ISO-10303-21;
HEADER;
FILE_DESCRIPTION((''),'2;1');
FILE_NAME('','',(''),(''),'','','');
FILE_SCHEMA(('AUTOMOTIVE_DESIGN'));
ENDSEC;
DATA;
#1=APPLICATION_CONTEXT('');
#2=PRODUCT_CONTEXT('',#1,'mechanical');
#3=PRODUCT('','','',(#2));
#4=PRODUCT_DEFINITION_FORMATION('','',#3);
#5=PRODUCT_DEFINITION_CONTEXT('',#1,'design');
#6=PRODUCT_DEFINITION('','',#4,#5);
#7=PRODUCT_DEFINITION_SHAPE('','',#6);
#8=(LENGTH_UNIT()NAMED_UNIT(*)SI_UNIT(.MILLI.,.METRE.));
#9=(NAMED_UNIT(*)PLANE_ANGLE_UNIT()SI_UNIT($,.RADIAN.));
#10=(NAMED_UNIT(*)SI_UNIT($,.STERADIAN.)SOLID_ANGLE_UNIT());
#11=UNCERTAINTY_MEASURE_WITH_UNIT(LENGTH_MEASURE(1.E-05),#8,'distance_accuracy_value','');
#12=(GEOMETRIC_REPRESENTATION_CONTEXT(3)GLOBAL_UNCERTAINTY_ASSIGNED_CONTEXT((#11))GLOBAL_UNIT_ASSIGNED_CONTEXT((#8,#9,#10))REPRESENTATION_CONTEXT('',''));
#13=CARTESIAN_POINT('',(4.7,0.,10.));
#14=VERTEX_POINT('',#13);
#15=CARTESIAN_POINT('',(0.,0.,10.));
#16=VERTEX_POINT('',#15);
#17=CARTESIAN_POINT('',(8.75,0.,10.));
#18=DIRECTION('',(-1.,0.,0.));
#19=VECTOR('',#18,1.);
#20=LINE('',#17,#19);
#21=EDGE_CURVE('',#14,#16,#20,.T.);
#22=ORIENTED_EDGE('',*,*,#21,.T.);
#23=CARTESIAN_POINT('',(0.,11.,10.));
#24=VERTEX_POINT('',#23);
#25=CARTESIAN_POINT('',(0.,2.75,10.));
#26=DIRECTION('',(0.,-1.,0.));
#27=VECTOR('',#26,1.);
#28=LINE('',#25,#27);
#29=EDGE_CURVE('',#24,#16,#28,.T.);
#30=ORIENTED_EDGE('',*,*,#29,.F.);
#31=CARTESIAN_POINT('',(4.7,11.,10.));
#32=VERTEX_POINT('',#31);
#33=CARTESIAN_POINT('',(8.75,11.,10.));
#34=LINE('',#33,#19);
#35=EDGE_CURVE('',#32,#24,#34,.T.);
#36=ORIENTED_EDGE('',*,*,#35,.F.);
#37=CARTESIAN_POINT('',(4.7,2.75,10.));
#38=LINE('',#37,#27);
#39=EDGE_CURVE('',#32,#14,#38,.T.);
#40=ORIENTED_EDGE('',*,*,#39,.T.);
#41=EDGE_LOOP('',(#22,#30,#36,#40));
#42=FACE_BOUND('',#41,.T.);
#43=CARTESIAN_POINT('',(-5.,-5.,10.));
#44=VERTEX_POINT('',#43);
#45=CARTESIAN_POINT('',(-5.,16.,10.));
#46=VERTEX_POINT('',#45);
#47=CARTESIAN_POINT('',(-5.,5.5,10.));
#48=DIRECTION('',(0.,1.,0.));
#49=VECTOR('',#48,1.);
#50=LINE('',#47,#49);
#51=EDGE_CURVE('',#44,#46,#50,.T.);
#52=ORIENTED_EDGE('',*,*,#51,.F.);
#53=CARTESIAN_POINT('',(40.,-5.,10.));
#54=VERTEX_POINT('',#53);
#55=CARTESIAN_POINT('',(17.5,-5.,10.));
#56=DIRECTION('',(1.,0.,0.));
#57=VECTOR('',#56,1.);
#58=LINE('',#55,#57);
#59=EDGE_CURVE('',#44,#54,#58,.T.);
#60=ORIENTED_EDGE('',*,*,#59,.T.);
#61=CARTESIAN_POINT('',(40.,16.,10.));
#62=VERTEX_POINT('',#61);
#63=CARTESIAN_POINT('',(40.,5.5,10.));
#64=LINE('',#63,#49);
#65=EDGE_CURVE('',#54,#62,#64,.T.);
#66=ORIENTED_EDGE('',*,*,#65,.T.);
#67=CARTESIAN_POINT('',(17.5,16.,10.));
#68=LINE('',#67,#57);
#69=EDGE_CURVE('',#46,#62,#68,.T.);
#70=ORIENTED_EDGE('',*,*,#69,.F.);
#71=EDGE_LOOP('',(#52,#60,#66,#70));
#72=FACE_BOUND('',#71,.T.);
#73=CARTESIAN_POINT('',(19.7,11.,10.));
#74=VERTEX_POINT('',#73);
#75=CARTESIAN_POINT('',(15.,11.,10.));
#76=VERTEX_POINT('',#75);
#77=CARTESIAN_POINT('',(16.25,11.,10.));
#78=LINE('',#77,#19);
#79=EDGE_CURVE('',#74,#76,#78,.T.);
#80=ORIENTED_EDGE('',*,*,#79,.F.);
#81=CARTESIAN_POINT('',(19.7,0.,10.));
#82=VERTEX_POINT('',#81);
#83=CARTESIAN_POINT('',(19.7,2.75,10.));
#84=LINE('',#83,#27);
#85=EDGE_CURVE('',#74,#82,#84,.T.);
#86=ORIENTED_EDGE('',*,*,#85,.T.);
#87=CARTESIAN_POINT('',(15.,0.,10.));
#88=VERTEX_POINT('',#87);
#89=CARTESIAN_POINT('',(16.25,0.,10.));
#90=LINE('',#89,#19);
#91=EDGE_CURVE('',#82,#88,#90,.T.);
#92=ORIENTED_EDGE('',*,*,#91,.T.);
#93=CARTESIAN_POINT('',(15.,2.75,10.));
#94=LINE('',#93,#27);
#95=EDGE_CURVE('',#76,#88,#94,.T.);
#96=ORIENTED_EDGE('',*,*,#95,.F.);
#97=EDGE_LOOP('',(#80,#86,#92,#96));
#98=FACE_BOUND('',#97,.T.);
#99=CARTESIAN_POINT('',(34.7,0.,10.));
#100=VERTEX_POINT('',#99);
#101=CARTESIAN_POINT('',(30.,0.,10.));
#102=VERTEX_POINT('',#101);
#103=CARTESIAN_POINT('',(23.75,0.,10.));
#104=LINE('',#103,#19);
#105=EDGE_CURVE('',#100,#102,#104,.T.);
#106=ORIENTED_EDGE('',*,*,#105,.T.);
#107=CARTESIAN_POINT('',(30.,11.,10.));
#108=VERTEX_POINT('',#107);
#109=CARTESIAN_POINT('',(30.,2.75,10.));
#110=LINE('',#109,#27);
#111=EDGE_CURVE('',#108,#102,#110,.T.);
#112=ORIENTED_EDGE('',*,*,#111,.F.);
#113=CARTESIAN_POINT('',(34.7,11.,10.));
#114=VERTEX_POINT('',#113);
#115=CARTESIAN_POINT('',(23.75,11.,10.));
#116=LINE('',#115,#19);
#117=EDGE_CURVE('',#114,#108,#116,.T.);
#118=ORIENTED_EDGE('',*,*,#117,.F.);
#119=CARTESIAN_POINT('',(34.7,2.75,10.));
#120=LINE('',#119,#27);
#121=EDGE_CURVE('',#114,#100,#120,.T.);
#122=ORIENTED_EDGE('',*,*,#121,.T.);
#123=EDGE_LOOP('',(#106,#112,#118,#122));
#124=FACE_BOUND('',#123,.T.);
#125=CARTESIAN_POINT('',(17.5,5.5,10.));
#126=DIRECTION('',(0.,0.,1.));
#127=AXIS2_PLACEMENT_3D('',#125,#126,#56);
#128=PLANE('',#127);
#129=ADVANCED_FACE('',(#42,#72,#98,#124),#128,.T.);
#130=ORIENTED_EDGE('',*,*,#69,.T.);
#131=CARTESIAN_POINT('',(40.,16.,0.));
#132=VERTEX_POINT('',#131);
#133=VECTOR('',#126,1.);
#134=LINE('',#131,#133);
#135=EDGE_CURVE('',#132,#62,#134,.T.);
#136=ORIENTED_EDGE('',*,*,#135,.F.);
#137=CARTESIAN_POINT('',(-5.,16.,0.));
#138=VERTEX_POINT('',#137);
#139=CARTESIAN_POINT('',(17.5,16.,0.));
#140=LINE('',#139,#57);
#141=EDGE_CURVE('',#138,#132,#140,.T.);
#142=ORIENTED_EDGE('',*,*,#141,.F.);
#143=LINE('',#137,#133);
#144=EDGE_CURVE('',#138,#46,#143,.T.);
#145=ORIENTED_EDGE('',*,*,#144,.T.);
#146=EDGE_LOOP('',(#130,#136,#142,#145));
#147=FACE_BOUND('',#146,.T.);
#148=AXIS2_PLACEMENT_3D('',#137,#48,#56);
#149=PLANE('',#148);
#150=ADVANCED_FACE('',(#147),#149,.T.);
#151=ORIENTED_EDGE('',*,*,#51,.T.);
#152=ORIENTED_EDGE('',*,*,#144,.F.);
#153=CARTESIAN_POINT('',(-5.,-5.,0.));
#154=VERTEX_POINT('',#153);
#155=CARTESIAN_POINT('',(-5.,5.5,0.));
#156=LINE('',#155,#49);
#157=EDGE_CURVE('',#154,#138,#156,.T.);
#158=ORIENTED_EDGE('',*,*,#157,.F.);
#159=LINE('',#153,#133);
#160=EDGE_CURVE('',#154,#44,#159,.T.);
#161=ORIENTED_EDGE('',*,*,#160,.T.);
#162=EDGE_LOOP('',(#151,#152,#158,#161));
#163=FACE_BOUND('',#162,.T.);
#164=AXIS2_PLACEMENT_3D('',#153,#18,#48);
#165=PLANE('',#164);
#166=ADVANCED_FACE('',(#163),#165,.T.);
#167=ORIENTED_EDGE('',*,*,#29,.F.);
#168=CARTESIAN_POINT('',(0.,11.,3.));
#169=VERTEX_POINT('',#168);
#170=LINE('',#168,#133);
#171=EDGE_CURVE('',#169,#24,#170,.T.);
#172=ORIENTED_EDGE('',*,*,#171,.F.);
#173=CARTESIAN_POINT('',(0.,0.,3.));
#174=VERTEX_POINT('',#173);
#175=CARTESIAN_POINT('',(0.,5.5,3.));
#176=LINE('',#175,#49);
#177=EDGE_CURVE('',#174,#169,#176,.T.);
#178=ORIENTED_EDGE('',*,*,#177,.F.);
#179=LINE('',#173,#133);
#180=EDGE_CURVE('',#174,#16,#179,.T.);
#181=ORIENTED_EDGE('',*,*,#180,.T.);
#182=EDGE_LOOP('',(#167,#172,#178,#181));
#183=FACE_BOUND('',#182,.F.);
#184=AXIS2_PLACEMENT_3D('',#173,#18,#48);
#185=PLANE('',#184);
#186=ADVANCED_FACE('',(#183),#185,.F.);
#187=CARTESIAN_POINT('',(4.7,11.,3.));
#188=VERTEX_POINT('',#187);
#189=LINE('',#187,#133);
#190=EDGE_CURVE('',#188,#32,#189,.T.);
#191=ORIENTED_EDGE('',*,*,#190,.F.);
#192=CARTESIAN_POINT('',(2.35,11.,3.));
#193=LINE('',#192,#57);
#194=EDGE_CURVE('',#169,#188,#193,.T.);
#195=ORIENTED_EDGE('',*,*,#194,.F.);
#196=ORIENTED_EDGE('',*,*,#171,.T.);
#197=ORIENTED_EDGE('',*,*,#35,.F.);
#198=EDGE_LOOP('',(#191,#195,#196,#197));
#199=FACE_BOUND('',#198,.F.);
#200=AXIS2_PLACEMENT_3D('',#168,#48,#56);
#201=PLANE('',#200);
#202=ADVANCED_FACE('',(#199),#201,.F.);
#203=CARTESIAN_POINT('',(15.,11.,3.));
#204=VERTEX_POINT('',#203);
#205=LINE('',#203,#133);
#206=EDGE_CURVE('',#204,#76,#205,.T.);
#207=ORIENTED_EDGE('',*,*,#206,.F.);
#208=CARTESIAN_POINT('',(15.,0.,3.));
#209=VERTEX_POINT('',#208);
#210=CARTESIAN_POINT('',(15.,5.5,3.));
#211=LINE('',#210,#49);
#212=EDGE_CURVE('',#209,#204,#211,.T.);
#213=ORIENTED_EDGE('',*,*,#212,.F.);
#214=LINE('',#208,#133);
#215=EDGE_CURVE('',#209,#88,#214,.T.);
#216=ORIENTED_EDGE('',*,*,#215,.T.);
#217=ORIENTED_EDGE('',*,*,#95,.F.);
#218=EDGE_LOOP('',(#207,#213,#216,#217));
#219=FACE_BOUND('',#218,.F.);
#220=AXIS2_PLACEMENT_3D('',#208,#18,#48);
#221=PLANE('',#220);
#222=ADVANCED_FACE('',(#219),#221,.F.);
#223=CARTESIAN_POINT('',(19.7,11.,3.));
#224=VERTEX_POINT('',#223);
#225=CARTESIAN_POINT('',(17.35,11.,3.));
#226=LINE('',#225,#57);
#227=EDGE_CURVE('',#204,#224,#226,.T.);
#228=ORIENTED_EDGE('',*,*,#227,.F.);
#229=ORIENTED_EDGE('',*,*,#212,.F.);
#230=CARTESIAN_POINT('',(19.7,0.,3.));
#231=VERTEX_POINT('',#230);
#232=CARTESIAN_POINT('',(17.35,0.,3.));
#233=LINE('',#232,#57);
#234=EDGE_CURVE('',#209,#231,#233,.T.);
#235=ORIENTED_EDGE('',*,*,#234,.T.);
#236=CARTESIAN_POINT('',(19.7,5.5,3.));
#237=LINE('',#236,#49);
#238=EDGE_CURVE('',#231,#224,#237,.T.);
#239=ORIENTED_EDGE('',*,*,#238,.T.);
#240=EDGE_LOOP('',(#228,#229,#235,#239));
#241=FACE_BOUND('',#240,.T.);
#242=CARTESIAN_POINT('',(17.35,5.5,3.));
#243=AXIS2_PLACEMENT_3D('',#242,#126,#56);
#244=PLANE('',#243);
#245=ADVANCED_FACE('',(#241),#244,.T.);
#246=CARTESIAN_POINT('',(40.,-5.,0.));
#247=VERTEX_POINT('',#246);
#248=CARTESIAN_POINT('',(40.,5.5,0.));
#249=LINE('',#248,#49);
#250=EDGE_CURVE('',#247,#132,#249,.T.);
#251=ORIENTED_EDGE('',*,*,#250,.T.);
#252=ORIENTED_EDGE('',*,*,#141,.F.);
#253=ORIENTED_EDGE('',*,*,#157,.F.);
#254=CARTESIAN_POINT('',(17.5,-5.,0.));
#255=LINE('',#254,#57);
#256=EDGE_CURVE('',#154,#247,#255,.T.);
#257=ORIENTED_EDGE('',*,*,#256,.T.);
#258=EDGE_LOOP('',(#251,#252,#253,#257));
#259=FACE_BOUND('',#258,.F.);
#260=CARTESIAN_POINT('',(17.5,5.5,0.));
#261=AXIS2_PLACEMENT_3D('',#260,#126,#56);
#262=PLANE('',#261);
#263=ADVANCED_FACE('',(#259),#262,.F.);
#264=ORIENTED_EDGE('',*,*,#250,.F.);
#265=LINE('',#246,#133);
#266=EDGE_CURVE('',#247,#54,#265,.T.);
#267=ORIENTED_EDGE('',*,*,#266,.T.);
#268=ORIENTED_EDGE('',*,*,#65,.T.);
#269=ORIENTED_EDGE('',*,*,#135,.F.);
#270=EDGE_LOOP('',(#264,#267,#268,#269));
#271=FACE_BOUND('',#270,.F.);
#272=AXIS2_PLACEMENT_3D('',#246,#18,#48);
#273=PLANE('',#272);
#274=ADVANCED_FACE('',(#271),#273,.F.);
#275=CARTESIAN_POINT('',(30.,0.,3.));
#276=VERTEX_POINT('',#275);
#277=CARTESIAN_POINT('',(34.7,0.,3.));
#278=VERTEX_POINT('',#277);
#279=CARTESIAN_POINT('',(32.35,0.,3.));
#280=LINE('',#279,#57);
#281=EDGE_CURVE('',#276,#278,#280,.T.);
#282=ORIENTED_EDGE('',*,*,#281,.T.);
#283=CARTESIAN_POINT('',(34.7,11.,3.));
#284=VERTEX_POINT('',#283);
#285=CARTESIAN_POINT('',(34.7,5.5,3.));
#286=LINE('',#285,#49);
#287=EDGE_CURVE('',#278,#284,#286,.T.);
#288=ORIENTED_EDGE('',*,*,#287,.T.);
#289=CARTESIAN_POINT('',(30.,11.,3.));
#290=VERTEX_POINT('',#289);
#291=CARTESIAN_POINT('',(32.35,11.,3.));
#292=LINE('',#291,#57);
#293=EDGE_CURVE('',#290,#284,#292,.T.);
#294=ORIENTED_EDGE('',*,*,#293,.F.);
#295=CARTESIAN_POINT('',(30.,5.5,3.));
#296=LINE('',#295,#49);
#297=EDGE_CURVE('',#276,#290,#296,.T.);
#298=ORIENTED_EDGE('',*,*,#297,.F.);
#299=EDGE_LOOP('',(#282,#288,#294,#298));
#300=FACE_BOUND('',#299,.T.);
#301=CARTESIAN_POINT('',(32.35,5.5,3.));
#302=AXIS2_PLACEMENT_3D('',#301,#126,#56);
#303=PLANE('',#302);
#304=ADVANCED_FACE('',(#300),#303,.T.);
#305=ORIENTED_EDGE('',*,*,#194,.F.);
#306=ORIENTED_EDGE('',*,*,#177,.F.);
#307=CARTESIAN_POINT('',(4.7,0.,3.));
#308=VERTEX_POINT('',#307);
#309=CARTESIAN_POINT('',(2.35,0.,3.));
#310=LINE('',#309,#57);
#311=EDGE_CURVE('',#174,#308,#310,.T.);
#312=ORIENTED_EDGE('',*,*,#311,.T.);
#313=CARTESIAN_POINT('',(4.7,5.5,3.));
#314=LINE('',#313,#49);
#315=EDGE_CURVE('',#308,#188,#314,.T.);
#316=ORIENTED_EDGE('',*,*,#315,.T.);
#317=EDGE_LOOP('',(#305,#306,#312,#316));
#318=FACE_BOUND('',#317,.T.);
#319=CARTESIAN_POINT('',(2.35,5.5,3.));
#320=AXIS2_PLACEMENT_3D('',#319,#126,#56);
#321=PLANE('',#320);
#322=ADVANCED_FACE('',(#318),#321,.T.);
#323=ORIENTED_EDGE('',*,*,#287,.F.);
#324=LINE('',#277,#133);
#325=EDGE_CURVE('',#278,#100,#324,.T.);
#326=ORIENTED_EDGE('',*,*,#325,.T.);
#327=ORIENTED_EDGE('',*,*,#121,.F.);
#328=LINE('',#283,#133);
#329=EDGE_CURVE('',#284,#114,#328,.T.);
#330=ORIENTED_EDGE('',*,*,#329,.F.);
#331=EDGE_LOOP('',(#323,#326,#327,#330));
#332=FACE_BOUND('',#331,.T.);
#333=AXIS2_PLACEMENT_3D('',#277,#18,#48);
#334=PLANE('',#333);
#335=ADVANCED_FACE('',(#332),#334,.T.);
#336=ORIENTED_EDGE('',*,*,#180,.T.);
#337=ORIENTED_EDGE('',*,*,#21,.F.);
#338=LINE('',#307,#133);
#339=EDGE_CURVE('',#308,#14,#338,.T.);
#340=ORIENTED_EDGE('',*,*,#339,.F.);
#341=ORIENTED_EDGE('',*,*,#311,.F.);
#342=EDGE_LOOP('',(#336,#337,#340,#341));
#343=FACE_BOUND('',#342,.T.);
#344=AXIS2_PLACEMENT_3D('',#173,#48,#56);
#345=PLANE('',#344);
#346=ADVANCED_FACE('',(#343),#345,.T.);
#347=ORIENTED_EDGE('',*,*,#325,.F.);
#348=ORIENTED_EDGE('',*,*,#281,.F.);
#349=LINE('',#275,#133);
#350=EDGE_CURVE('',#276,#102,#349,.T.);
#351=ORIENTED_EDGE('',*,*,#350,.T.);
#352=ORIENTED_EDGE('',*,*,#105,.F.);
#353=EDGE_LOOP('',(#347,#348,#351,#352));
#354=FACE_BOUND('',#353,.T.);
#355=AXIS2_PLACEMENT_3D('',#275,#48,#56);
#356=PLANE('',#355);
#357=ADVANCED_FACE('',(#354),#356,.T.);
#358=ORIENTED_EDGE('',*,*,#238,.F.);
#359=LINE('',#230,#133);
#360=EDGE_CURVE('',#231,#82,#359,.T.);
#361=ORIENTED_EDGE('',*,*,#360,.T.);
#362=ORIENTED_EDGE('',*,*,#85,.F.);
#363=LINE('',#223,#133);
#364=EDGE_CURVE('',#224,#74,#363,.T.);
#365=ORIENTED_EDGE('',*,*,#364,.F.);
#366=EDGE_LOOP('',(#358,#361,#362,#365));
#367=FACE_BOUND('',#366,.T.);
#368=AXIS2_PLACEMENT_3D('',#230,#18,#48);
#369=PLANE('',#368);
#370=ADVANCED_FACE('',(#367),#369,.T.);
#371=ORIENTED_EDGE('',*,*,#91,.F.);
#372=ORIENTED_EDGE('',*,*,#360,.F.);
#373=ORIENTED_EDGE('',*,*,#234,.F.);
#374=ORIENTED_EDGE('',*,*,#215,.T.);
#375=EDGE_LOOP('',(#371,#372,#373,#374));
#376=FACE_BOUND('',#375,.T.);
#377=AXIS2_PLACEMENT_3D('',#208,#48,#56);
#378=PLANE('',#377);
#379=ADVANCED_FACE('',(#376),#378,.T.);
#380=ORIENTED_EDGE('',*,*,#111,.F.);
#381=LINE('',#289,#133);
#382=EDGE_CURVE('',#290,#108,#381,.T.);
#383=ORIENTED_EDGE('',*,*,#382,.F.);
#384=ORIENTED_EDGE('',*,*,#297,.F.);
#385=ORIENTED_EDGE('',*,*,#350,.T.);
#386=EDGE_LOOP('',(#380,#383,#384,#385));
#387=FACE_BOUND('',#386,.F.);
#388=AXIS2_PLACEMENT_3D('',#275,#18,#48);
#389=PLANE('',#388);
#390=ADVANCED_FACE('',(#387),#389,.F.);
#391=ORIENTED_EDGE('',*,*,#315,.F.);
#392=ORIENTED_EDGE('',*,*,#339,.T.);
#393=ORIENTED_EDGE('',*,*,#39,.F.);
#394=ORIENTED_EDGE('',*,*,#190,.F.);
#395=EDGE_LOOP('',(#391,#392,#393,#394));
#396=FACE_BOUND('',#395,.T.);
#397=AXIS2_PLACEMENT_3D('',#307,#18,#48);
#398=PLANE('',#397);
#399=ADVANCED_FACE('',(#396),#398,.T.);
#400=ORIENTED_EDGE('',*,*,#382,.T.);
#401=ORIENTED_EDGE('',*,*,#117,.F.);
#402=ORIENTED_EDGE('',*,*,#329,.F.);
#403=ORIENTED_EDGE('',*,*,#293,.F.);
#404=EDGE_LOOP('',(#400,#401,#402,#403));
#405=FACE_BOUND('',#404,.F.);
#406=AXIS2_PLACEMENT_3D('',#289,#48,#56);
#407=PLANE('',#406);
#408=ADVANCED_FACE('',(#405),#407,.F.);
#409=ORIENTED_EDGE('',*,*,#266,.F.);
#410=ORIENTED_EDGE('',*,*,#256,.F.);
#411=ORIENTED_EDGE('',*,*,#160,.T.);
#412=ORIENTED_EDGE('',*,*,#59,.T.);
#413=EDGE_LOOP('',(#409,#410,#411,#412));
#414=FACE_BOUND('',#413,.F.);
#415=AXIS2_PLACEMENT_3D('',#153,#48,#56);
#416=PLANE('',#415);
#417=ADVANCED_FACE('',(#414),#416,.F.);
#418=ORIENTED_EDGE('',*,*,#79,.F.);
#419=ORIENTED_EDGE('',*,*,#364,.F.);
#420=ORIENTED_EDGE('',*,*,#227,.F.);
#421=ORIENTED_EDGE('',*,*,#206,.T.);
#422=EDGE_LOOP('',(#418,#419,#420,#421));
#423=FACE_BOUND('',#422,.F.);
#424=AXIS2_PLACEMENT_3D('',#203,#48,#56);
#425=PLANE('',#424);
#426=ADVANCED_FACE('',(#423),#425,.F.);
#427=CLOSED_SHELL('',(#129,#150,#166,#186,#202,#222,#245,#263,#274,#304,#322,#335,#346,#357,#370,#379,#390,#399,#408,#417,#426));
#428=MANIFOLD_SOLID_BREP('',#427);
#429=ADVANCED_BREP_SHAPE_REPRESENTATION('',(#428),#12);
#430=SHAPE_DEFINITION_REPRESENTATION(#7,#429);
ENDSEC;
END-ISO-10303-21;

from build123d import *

# Parameters (mm, degrees)
BOX001_W     = 4.7
BOX001_H     = 11
BOX001_DEPTH = 12
BOX_W        = 4.7
BOX_H        = 11
BOX_DEPTH    = 12
BOX002_W     = 4.7
BOX002_H     = 11
BOX002_DEPTH = 12
BOX003_W     = 45
BOX003_H     = 21
BOX003_DEPTH = 10


with BuildPart() as box001:
    # Box001 → Box001 (new body)
    with BuildSketch(Plane(origin=(15, 0, 0), x_dir=(1, 0, 0), z_dir=(0, 0, 1))):
        with Locations((2.35, 5.5)):
            Rectangle(BOX001_W, BOX001_H)
    extrude(amount=BOX001_DEPTH)


with BuildPart() as box:
    # Box → Box (new body)
    with BuildSketch(Plane.XY):
        with Locations((2.35, 5.5)):
            Rectangle(BOX_W, BOX_H)
    extrude(amount=BOX_DEPTH)


with BuildPart() as ranuras:
    # Box002 → Box002 (new body)
    with BuildSketch(Plane(origin=(30, 0, 0), x_dir=(1, 0, 0), z_dir=(0, 0, 1))):
        with Locations((2.35, 5.5)):
            Rectangle(BOX002_W, BOX002_H)
    extrude(amount=BOX002_DEPTH)

    # Fusion: union Box001, Box
    add(box001.part)
    add(box.part)


with BuildPart() as ranuras_1:
    # Fusion placement: moved
    add(ranuras.part.moved(Location((0, 0, 3))))


with BuildPart() as porta_pendrives:
    # Box003 → Box003 (new body)
    with BuildSketch(Plane(origin=(-5, -5, 0), x_dir=(1, 0, 0), z_dir=(0, 0, 1))):
        with Locations((22.5, 10.5)):
            Rectangle(BOX003_W, BOX003_H)
    extrude(amount=BOX003_DEPTH)

    # Cut: cut Ranuras
    add(ranuras_1.part, mode=Mode.SUBTRACT)


solid = porta_pendrives.part
